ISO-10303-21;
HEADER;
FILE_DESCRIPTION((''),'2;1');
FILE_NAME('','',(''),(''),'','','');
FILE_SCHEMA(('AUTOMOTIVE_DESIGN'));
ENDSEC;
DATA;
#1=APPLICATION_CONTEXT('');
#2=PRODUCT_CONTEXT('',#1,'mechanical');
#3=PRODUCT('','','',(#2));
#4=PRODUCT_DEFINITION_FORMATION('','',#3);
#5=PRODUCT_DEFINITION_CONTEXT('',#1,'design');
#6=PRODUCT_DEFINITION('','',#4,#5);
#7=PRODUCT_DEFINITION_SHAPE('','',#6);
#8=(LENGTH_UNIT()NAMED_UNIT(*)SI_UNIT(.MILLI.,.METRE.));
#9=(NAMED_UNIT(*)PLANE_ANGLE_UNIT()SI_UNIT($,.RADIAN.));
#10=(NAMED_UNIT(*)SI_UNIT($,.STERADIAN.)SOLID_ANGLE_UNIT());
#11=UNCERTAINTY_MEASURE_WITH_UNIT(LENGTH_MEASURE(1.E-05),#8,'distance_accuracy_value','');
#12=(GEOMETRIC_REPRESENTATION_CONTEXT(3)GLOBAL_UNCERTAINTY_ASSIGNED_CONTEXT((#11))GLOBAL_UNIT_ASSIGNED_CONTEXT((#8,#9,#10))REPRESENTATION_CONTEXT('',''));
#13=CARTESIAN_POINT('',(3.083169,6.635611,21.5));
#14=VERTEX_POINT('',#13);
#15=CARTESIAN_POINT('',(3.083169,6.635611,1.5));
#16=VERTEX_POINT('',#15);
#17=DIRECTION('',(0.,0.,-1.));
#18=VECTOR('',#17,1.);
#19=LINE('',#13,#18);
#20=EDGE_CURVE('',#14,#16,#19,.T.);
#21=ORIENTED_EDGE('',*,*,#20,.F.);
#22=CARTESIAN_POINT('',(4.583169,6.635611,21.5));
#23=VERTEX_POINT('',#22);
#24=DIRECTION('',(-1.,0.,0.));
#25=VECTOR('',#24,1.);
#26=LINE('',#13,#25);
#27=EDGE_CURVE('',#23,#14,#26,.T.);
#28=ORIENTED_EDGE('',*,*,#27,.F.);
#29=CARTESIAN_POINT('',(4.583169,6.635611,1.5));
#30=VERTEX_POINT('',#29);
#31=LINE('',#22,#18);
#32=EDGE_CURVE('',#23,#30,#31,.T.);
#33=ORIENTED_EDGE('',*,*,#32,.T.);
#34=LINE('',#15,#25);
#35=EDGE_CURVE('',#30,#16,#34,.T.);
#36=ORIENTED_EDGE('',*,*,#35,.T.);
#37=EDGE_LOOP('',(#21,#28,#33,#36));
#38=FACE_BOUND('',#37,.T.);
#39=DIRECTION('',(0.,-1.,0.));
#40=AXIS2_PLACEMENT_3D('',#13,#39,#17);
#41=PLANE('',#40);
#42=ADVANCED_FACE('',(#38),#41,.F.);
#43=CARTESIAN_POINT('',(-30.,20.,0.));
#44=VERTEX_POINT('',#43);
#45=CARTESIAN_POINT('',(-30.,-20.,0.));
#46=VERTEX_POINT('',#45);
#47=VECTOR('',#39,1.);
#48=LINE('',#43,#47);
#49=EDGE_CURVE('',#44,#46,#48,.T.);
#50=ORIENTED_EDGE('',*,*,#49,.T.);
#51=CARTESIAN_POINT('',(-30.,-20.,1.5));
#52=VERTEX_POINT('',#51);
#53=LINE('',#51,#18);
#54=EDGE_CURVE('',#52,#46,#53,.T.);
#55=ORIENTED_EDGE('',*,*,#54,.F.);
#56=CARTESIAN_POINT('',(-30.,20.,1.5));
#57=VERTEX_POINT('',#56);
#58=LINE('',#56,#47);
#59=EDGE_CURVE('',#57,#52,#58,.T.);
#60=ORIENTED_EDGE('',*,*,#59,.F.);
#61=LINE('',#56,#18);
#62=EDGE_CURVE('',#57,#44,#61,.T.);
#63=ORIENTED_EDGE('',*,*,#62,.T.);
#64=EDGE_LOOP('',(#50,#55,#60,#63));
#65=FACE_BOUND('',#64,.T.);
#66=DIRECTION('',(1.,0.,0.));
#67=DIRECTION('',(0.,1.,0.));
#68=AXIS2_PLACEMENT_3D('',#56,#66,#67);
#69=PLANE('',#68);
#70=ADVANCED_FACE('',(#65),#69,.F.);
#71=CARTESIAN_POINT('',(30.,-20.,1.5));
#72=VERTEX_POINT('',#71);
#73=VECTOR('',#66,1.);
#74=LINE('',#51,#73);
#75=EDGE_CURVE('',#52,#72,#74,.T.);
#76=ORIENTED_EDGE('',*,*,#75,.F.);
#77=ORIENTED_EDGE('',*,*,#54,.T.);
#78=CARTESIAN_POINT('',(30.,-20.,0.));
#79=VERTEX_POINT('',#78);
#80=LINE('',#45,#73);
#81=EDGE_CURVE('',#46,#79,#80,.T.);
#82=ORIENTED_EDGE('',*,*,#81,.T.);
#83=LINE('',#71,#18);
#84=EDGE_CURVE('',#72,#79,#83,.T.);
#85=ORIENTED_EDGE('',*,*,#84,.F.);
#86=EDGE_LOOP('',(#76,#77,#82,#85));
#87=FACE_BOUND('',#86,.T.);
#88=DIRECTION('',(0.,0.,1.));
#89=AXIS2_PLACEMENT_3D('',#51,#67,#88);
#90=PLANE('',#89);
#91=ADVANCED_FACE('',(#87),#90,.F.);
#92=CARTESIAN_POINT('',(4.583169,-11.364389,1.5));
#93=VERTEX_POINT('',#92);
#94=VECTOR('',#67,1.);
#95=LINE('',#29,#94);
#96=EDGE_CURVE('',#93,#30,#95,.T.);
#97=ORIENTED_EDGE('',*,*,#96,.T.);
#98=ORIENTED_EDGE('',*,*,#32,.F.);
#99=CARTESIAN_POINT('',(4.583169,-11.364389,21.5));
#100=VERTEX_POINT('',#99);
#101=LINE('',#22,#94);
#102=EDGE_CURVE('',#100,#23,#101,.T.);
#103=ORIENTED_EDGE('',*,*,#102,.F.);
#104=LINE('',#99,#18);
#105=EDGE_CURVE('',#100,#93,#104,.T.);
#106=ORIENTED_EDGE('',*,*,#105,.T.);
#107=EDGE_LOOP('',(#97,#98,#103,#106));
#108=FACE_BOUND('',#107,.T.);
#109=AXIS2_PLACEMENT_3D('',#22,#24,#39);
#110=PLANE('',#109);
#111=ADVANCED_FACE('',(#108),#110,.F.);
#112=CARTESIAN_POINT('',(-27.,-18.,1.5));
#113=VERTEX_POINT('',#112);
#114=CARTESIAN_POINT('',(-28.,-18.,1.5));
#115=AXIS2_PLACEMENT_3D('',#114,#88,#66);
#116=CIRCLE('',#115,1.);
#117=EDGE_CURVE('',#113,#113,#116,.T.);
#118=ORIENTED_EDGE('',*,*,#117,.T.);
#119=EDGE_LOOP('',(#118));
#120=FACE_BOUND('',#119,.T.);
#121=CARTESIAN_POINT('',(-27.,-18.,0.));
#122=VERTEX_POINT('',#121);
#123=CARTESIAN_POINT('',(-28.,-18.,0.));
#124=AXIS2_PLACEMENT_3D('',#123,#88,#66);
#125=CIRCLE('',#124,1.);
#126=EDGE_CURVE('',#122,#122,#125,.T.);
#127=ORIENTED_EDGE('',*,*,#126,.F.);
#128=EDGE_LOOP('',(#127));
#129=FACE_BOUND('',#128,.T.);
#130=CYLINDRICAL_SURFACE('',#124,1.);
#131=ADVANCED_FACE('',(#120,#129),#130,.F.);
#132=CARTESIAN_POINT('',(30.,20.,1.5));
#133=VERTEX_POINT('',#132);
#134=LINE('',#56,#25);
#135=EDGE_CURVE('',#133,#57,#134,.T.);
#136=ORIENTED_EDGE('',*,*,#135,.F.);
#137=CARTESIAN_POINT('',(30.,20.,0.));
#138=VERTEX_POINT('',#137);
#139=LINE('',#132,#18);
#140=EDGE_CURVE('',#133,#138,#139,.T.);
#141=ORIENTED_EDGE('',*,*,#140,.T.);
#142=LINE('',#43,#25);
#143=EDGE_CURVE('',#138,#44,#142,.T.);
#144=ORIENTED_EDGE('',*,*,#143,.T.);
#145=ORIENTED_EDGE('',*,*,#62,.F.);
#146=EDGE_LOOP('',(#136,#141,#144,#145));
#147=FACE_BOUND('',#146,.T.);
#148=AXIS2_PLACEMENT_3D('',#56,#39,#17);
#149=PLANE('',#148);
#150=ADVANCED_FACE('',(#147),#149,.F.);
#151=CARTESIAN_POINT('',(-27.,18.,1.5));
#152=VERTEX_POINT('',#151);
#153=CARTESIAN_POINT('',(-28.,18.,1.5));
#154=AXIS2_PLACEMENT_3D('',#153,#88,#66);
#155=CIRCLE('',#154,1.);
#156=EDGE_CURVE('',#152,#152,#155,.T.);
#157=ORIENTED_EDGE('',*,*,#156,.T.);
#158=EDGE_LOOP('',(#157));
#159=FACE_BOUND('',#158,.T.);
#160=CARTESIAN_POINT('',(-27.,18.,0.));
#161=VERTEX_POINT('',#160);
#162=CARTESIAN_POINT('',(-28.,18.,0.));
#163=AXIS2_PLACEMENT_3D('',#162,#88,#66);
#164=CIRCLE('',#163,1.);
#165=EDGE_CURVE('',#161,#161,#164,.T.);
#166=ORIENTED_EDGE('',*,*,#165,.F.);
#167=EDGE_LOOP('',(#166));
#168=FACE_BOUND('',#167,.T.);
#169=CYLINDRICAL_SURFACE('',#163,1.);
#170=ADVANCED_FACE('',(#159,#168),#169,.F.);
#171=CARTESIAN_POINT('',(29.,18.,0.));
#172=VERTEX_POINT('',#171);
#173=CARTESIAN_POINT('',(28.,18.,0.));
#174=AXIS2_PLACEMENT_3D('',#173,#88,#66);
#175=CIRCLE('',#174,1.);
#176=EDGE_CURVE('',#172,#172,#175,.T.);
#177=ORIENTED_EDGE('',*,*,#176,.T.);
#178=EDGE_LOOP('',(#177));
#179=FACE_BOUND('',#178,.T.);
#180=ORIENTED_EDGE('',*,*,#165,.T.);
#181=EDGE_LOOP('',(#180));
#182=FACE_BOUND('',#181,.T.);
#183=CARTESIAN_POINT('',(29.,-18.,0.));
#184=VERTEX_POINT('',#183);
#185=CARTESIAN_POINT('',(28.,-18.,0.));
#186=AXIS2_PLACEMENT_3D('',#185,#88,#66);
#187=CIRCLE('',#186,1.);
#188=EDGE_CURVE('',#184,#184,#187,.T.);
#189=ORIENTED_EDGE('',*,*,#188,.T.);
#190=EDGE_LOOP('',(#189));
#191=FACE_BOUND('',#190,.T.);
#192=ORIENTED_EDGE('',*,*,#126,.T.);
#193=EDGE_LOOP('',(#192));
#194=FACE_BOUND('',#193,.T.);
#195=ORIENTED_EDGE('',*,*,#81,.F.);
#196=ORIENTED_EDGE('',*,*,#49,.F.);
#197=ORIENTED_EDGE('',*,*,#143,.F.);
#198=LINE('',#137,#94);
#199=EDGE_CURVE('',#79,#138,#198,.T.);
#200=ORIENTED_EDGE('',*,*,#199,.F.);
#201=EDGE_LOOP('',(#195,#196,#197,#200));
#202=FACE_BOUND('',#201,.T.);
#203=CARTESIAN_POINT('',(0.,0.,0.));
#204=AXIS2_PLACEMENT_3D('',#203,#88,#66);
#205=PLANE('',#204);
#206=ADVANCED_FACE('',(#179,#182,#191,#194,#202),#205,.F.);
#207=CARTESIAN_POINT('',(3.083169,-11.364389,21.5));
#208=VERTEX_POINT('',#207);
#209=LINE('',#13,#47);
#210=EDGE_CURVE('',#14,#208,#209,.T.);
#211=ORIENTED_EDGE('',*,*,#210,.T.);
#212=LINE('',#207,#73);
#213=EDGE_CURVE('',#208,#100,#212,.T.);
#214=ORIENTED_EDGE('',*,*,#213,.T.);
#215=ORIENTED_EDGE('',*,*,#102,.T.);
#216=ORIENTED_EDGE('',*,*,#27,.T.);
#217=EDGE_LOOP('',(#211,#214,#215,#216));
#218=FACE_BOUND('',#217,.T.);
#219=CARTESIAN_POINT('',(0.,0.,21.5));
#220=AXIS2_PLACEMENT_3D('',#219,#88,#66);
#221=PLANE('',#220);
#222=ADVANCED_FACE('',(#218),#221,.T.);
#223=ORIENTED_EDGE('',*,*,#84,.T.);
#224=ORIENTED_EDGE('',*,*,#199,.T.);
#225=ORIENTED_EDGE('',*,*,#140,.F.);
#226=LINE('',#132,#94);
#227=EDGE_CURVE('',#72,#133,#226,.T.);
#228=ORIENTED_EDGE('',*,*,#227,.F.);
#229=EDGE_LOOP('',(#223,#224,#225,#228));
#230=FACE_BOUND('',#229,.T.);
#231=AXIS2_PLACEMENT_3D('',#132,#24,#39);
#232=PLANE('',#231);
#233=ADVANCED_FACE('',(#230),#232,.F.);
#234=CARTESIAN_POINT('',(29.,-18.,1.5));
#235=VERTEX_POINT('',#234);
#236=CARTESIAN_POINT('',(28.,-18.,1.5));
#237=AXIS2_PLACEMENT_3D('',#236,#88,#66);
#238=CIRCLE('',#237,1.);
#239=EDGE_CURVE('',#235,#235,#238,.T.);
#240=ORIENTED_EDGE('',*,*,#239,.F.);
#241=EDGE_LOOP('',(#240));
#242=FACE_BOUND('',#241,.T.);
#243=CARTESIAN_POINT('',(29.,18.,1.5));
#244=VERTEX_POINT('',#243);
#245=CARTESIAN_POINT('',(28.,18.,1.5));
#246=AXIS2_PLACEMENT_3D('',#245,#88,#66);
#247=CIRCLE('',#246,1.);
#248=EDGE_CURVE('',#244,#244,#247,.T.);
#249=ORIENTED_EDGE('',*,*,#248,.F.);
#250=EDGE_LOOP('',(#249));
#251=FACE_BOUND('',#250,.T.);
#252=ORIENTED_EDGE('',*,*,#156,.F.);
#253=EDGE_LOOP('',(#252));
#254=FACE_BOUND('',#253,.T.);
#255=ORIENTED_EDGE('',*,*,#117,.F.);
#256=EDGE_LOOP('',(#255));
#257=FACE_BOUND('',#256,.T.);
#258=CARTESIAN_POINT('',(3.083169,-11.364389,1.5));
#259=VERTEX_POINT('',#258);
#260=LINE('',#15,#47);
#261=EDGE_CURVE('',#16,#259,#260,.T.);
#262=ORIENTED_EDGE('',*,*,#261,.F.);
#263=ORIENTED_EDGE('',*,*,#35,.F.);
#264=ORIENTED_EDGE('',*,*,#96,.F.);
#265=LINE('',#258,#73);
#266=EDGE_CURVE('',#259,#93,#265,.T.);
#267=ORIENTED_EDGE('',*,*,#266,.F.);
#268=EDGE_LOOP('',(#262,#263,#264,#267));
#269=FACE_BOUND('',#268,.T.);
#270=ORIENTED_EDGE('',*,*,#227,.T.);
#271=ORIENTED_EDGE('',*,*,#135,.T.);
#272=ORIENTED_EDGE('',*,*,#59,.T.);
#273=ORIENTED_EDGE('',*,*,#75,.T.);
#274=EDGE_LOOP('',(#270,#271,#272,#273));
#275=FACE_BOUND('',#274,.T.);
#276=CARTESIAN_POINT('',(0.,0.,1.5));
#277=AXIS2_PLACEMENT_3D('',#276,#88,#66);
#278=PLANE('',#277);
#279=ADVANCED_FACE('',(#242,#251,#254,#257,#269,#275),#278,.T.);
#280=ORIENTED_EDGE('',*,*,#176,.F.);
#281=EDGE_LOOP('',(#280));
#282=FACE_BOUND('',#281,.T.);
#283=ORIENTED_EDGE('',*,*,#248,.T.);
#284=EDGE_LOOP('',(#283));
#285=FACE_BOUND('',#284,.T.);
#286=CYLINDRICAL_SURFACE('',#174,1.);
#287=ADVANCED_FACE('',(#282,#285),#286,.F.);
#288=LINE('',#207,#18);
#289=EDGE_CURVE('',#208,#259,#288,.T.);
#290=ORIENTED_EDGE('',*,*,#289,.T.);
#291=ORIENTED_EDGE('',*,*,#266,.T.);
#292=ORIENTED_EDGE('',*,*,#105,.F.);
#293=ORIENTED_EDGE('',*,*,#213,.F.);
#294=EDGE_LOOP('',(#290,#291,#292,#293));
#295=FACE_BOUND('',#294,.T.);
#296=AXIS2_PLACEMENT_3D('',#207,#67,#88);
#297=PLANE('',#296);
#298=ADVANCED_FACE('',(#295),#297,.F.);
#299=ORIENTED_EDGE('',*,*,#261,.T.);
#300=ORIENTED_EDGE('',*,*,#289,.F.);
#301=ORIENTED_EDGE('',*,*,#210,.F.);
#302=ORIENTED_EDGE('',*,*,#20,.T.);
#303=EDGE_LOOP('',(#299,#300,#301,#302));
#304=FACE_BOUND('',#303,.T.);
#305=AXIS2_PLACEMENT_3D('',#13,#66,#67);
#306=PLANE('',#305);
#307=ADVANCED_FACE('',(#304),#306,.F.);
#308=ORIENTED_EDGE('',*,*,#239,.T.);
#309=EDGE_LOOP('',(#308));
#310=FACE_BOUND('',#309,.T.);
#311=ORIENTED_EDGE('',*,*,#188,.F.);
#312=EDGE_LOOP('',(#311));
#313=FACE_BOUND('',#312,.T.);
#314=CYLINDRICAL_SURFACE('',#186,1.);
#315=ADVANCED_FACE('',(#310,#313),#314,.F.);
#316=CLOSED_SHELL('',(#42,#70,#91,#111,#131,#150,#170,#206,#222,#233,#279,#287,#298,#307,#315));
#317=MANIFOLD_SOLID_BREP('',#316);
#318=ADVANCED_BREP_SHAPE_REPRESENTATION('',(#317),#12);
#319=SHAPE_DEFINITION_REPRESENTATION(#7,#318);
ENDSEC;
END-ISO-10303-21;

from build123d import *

# Parameters (mm, degrees)
ESBO_O1_W                = 60
ESBO_O1_H                = 40
RESSALTO_EXTRUS_O1_DEPTH = 1.5
ESBO_O2_R                = 1
CORTE_EXTRUS_O1_DEPTH    = 2.5
ESBO_O3_W                = 1.5
ESBO_O3_H                = 18
RESSALTO_EXTRUS_O2_DEPTH = 20


with BuildPart() as part:
    # Esboço1 → Ressalto-extrusão1 (new body)
    with BuildSketch(Plane.XY):
        Rectangle(ESBO_O1_W, ESBO_O1_H)
    extrude(amount=RESSALTO_EXTRUS_O1_DEPTH)

    # Esboço2 → Corte-extrusão1 (cut, through all)
    with BuildSketch(Plane.XY.offset(1.5)):
        with Locations((-28, 18)):
            Circle(ESBO_O2_R)
        with Locations((28, 18)):
            Circle(ESBO_O2_R)
        with Locations((28, -18)):
            Circle(ESBO_O2_R)
        with Locations((-28, -18)):
            Circle(ESBO_O2_R)
    extrude(amount=-CORTE_EXTRUS_O1_DEPTH, mode=Mode.SUBTRACT)

    # Esboço3 → Ressalto-extrusão2 (add)
    with BuildSketch(Plane.XY.offset(1.5)):
        with Locations((3.833169049, -2.364388559)):
            Rectangle(ESBO_O3_W, ESBO_O3_H)
    extrude(amount=RESSALTO_EXTRUS_O2_DEPTH)


solid = part.part
